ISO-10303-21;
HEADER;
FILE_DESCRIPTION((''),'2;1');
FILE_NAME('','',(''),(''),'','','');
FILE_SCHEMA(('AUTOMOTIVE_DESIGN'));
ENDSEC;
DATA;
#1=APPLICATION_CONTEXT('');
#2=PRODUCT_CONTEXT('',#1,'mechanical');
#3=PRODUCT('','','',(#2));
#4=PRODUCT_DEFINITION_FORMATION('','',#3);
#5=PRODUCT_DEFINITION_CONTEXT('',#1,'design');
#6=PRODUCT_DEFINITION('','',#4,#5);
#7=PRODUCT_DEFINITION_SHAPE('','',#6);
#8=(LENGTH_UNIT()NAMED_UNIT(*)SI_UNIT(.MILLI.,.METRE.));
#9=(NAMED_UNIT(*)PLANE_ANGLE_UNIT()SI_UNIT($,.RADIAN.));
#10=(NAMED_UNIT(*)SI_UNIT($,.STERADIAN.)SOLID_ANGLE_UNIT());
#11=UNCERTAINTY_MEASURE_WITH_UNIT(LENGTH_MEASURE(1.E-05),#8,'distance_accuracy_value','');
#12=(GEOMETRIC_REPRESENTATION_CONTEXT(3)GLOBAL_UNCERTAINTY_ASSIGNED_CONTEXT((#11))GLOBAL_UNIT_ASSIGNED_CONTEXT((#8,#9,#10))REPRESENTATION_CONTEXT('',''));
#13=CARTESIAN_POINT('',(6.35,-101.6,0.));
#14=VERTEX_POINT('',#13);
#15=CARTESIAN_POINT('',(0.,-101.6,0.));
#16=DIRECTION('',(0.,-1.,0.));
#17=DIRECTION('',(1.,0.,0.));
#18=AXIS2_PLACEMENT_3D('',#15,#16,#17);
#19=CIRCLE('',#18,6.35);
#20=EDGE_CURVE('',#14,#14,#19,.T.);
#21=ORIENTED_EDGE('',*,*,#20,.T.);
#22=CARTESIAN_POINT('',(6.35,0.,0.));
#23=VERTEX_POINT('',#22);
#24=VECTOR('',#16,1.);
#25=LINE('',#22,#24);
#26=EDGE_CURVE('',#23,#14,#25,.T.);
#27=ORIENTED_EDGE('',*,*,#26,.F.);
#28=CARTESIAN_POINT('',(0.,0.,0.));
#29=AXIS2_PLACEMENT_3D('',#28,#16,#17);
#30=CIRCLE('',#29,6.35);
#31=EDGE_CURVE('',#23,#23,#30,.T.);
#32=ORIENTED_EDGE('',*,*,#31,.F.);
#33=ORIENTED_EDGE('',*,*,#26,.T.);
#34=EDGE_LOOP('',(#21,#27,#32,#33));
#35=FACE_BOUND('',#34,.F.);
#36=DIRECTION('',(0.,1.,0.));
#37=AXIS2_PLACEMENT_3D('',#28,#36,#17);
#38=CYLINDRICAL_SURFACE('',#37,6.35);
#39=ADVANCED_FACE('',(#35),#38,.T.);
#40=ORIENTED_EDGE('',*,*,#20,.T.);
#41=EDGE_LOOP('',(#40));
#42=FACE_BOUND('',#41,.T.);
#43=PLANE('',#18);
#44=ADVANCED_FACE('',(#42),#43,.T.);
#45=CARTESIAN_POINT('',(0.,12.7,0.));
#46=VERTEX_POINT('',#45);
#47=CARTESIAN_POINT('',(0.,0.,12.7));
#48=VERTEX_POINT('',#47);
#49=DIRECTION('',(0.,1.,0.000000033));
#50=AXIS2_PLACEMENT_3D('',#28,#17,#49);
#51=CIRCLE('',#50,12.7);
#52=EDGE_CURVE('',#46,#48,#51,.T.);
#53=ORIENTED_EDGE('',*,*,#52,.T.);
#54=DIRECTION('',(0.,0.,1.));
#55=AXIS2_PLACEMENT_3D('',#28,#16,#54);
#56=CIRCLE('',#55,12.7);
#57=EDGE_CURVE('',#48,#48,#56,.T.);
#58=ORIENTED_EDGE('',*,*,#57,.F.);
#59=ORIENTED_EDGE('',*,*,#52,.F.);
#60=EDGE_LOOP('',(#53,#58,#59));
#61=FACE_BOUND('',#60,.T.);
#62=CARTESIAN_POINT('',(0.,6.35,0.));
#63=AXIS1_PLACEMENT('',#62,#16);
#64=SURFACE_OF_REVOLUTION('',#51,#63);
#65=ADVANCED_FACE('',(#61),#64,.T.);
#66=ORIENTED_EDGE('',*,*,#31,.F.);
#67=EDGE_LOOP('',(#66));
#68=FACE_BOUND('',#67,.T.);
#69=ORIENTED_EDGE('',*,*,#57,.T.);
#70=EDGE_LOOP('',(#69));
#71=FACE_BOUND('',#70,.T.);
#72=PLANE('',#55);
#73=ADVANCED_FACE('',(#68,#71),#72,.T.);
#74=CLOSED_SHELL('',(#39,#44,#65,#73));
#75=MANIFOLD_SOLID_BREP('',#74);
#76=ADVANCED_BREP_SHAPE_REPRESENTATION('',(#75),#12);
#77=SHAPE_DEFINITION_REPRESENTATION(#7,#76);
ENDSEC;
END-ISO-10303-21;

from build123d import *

# Parameters (mm, degrees)
F0_R     = 6.35
F1_DEPTH = 101.6


with BuildPart() as f1:
    # F0 (on Front) → F1 (new body)
    with BuildSketch(Plane.XZ):
        Circle(F0_R)
    extrude(amount=F1_DEPTH)

    # F2 (on Right) → F3 (revolve)
    with BuildSketch(Plane.YZ):
        with BuildLine():
            Line((0, 0), (12.7, 0))
            ThreePointArc((12.7, 0), (8.980256, 8.980256), (0, 12.7))
            Line((0, 12.7), (0, 0))
        make_face()
    revolve(axis=Axis((0, 6.35, 0), (0, -1, 0)))


solid = f1.part
